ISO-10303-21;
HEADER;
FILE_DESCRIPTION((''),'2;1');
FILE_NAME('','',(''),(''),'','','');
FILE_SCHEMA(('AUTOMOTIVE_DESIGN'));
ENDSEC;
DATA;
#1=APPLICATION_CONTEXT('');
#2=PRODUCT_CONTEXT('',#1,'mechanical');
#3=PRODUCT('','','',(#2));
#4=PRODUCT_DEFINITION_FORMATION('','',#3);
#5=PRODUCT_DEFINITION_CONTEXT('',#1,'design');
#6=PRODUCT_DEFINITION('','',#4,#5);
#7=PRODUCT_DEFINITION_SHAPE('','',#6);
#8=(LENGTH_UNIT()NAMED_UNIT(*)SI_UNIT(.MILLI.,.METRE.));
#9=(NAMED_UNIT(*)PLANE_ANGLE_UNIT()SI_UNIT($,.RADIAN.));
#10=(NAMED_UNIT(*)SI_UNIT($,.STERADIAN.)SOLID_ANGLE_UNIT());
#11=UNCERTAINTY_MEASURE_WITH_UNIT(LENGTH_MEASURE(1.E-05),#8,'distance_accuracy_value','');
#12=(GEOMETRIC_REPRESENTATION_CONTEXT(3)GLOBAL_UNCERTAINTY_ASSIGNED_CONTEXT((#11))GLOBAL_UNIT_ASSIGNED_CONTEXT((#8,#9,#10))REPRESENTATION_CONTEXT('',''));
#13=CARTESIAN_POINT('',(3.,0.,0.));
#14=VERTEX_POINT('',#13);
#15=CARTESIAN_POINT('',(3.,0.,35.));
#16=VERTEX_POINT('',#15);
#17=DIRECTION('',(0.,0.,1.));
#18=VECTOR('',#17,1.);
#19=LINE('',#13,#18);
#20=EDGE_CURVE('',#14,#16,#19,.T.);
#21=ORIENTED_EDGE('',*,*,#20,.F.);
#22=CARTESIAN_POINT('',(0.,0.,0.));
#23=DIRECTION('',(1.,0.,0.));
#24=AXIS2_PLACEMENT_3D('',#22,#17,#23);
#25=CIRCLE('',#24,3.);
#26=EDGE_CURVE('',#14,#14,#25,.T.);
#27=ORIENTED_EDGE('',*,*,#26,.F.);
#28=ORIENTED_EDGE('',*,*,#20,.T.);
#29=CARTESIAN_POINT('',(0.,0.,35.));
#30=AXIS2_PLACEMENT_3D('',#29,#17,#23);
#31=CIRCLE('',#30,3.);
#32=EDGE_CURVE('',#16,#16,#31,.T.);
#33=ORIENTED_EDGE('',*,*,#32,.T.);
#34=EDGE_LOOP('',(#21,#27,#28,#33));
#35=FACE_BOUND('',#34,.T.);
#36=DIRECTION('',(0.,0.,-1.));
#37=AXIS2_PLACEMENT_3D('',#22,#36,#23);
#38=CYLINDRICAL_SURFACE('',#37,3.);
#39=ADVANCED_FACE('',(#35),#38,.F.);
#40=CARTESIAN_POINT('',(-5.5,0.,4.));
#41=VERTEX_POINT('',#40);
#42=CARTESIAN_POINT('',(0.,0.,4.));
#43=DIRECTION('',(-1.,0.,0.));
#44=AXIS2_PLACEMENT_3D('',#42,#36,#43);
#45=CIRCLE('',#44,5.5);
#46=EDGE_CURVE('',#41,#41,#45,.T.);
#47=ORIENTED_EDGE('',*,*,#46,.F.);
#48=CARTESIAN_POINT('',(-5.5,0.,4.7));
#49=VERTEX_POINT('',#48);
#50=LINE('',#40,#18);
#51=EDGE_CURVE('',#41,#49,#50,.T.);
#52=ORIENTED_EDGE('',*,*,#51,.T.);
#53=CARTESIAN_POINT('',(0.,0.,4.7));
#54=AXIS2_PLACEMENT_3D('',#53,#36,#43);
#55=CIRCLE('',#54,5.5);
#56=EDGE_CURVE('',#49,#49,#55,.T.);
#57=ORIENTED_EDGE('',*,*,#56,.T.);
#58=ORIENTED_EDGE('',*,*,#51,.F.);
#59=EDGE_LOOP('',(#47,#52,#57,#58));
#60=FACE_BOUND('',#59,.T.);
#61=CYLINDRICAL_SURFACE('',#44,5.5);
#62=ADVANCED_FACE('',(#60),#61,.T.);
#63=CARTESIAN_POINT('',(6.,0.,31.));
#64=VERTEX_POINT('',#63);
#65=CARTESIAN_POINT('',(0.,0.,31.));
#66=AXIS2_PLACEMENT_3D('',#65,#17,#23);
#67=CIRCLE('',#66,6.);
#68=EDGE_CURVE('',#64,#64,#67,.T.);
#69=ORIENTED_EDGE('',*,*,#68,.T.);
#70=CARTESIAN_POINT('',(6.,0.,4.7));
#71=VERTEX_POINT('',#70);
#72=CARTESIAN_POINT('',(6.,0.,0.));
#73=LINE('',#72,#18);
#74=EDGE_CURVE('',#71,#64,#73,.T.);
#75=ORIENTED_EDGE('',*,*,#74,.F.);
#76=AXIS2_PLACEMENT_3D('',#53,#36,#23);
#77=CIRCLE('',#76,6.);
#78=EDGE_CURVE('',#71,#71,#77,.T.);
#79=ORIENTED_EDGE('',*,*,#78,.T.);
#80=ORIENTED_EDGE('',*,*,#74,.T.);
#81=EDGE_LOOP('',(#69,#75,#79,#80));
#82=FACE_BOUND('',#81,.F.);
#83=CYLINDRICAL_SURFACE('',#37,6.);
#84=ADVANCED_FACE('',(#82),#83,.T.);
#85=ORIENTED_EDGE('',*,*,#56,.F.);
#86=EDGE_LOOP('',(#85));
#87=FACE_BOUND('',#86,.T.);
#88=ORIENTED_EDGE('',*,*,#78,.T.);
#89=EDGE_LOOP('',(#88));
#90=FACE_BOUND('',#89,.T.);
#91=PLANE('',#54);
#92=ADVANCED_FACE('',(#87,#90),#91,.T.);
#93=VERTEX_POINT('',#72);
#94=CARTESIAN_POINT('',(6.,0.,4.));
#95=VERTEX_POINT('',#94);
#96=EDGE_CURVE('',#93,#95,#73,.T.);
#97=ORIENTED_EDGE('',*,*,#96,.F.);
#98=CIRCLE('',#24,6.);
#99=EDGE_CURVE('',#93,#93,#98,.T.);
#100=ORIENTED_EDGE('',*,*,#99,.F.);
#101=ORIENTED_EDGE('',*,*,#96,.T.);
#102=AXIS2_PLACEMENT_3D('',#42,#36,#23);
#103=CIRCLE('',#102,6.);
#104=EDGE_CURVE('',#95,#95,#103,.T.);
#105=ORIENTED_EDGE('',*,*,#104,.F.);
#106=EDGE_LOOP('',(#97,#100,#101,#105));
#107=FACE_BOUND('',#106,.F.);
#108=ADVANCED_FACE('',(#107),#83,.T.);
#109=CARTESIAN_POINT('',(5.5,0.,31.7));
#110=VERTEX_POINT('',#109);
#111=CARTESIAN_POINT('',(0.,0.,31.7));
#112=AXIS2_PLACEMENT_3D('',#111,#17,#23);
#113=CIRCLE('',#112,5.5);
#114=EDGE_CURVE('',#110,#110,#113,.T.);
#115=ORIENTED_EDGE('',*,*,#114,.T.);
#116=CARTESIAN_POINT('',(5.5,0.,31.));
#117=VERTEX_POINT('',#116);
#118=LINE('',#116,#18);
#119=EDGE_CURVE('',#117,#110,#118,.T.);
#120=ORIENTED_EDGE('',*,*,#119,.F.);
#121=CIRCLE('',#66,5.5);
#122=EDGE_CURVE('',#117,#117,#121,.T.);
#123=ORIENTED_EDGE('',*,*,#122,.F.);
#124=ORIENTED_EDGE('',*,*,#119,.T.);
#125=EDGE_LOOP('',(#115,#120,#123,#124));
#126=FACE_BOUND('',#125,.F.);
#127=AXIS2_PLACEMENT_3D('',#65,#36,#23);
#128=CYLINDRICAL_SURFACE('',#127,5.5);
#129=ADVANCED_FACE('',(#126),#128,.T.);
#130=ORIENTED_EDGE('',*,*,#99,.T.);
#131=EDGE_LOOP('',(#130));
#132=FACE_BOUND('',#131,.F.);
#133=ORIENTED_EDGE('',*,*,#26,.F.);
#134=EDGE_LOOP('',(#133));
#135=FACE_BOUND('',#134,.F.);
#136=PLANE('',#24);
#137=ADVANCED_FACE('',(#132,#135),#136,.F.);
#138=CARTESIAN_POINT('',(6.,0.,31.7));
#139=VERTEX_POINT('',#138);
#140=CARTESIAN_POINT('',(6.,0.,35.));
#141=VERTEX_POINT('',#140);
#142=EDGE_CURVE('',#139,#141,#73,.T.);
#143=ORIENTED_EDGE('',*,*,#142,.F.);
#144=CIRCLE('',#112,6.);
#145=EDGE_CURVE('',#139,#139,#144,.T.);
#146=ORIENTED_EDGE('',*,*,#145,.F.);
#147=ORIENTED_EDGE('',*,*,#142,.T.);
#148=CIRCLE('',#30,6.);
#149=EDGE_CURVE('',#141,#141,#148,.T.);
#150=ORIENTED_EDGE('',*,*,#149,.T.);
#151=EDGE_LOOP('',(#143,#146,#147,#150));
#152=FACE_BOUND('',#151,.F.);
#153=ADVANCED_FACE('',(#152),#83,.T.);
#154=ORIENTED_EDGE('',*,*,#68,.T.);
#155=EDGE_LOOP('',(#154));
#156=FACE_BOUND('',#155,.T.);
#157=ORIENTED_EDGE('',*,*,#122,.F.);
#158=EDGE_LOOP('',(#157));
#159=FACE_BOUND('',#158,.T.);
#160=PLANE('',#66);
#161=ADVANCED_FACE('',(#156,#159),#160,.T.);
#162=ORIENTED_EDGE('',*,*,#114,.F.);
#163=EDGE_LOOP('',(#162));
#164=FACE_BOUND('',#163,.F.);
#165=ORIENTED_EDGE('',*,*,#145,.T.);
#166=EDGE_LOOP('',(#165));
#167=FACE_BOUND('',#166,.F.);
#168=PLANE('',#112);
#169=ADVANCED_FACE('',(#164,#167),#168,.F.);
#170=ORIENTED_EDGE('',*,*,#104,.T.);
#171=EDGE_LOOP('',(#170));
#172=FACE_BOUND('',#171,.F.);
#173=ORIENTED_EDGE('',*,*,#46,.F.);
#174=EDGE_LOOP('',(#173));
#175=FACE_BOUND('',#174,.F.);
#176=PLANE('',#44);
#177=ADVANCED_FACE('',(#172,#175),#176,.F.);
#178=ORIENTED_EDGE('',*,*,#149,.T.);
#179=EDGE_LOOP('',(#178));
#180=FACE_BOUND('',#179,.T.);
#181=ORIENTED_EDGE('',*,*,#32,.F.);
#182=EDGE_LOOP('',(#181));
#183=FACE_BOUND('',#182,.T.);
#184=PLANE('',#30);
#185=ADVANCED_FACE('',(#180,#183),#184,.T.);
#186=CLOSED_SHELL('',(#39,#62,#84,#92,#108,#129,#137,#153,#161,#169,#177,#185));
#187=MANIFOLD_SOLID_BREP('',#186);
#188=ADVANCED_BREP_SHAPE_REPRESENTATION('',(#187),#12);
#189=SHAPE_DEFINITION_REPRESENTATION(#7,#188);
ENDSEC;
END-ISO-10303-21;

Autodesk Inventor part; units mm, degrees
ref_plane "YZ Plane" through (0, 0, 0) normal (1, 0, 0) x (0, 1, 0)
sketch "Sketch1" plane through (0, 0, 0) normal (0, 0, 1) x (1, 0, 0)
  circle A0 centre (0, 0) radius 3
  circle A1 centre (0, 0) radius 6
  dimension "d0" = 6
  dimension "d1" = 12
extrude "Extrusion1" add sketch "Sketch1" along normal blind 35
ref_plane "Work Plane1" through (0, 0, 31) normal (0, 0, 1) x (1, 0, 0)
ref_plane "Work Plane2" through (0, 0, 4) normal (0, 0, -1) x (-1, 0, 0)
sketch "Sketch2" plane through (0, 0, 31) normal (0, 0, 1) x (1, 0, 0)
  circle A0 centre (0, 0) radius 3 projected
  circle A1 centre (0, 0) radius 6 projected
  circle A2 centre (0, 0) radius 5.5
  circle A3 centre (0, 0) radius 6
  dimension "d6" = 11
extrude "Extrusion2" cut sketch "Sketch2" along normal blind 0.7 contours A1
sketch "Sketch3" plane through (0, 0, 4) normal (0, 0, -1) x (-1, 0, 0)
  circle A0 centre (0, 0) radius 3 projected
  circle A1 centre (0, 0) radius 6 projected
  circle A2 centre (0, 0) radius 5.5
  circle A3 centre (0, 0) radius 6
  dimension "d9" = 11
extrude "Extrusion3" cut sketch "Sketch3" against normal blind 0.7 contours A1
properties part number "LinearBearing"
